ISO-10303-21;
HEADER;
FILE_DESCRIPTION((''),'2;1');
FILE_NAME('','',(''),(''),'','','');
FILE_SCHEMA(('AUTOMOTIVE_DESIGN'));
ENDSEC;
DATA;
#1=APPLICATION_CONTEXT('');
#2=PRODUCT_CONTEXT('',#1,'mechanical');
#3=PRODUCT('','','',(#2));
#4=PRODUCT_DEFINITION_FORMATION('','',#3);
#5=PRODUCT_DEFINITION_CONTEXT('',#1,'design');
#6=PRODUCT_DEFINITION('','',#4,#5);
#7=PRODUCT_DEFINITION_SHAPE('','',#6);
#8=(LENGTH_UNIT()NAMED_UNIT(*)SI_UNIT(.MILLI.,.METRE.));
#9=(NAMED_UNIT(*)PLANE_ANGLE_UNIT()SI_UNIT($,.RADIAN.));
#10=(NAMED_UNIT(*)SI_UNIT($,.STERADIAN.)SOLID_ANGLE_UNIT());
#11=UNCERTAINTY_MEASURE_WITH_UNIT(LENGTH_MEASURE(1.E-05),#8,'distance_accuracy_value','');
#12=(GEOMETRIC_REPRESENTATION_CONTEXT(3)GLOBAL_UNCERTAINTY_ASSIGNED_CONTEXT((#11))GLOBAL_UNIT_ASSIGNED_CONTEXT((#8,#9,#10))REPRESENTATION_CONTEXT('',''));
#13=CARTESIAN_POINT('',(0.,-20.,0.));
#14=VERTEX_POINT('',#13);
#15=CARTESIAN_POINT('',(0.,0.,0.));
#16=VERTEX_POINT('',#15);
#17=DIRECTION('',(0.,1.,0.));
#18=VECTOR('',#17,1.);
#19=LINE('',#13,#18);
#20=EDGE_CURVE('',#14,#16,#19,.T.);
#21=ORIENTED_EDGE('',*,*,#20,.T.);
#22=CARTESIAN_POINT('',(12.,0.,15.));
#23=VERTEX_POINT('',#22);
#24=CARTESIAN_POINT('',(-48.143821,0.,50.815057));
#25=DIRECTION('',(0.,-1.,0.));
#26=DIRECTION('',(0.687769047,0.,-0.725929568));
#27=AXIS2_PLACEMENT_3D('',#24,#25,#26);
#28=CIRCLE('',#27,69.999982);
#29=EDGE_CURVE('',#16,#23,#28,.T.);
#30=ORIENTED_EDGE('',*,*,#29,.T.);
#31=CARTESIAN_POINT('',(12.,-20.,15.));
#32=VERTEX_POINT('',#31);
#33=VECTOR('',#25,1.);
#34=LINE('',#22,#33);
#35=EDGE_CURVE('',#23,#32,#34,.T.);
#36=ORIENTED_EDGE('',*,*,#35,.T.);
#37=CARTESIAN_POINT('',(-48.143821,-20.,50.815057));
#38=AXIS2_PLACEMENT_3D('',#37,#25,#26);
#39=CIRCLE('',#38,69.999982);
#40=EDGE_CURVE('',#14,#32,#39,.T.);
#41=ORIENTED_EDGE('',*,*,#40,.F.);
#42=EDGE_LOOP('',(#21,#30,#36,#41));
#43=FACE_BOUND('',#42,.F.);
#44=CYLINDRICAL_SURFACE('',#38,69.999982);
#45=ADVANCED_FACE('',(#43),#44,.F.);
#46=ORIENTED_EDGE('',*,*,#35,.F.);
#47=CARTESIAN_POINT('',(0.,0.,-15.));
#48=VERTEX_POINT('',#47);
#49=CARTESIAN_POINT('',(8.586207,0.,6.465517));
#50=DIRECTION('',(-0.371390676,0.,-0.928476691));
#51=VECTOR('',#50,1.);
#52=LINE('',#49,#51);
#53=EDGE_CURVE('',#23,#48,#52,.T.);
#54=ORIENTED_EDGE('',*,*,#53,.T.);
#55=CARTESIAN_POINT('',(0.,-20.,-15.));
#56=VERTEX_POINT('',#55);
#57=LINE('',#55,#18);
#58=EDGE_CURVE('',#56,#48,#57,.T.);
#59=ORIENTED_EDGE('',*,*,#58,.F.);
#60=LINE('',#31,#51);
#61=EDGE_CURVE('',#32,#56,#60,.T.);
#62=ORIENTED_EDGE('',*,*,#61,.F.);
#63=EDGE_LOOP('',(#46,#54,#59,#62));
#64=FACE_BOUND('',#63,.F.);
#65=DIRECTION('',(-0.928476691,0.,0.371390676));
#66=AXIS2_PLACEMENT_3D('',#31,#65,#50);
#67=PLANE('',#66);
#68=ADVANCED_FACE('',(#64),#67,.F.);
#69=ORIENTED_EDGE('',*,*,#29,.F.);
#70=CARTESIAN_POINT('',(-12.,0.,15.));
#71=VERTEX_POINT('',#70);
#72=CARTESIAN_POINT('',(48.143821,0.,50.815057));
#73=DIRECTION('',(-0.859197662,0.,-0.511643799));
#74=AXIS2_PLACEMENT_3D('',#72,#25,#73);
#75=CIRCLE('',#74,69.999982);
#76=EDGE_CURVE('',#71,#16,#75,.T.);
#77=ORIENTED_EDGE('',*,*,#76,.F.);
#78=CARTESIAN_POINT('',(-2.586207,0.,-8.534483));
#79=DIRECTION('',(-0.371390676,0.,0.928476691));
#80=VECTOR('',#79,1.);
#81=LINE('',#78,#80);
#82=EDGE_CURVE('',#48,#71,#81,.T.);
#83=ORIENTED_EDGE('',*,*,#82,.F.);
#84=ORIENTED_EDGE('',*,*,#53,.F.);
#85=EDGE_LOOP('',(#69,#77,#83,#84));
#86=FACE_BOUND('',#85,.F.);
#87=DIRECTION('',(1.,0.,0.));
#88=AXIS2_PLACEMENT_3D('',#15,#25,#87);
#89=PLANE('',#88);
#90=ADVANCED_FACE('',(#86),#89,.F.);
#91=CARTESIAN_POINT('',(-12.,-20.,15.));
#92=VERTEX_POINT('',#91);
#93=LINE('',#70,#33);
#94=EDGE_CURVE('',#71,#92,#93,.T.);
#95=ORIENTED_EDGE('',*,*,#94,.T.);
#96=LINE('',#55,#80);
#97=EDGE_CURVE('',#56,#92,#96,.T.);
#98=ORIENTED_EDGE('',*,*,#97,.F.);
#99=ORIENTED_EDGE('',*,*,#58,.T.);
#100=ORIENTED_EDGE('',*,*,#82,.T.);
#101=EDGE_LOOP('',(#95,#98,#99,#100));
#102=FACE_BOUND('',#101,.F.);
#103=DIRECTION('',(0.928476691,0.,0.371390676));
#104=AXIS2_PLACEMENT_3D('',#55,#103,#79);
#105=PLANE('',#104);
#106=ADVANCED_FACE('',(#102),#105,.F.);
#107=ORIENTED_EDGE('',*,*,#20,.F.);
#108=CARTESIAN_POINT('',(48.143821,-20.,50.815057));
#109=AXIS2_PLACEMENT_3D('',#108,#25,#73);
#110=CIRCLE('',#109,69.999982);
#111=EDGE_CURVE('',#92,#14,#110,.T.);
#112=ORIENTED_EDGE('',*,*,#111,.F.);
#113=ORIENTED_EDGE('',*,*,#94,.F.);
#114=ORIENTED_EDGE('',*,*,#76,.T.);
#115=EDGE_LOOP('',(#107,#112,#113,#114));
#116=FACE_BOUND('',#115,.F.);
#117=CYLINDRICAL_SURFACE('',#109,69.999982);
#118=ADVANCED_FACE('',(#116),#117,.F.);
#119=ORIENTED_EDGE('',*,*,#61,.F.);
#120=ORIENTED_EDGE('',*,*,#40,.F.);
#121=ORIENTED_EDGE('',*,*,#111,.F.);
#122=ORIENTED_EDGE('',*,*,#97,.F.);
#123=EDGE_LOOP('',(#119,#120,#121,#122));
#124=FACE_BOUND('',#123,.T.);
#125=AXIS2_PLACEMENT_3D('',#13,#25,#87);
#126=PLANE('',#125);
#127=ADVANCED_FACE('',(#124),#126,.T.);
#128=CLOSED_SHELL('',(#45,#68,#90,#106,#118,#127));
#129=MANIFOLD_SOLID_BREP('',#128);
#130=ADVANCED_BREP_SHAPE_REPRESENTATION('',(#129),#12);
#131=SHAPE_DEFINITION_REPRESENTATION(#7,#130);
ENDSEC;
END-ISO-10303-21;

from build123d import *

# Parameters (mm, degrees)
F0_W     = 24
F0_H     = 30
F1_DEPTH = 20
F3_DEPTH = 25
F5_DEPTH = 25


with BuildPart() as f1:
    # F0 (on Front) → F1 (new body)
    with BuildSketch(Plane.XZ):
        Rectangle(F0_W, F0_H)
    extrude(amount=F1_DEPTH)

    # F2 (on face) → F3 (cut)
    with BuildSketch(Plane.XZ.offset(20)):
        with BuildLine():
            ThreePointArc((-12, 15), (-6.516982, 7.086415), (0, 0))
            ThreePointArc((0, 0), (6.516982, 7.086415), (12, 15))
            Line((12, 15), (-12, 15))
        make_face()
    extrude(amount=-F3_DEPTH, mode=Mode.SUBTRACT)

    # F4 (on face) → F5 (cut)
    with BuildSketch(Plane.XZ.offset(20)):
        Polygon((12, 15), (0, -15), (12, -15), align=None)
        Polygon((0, -15), (-12, 15), (-12, -15), align=None)
    extrude(amount=-F5_DEPTH, mode=Mode.SUBTRACT)


solid = f1.part
